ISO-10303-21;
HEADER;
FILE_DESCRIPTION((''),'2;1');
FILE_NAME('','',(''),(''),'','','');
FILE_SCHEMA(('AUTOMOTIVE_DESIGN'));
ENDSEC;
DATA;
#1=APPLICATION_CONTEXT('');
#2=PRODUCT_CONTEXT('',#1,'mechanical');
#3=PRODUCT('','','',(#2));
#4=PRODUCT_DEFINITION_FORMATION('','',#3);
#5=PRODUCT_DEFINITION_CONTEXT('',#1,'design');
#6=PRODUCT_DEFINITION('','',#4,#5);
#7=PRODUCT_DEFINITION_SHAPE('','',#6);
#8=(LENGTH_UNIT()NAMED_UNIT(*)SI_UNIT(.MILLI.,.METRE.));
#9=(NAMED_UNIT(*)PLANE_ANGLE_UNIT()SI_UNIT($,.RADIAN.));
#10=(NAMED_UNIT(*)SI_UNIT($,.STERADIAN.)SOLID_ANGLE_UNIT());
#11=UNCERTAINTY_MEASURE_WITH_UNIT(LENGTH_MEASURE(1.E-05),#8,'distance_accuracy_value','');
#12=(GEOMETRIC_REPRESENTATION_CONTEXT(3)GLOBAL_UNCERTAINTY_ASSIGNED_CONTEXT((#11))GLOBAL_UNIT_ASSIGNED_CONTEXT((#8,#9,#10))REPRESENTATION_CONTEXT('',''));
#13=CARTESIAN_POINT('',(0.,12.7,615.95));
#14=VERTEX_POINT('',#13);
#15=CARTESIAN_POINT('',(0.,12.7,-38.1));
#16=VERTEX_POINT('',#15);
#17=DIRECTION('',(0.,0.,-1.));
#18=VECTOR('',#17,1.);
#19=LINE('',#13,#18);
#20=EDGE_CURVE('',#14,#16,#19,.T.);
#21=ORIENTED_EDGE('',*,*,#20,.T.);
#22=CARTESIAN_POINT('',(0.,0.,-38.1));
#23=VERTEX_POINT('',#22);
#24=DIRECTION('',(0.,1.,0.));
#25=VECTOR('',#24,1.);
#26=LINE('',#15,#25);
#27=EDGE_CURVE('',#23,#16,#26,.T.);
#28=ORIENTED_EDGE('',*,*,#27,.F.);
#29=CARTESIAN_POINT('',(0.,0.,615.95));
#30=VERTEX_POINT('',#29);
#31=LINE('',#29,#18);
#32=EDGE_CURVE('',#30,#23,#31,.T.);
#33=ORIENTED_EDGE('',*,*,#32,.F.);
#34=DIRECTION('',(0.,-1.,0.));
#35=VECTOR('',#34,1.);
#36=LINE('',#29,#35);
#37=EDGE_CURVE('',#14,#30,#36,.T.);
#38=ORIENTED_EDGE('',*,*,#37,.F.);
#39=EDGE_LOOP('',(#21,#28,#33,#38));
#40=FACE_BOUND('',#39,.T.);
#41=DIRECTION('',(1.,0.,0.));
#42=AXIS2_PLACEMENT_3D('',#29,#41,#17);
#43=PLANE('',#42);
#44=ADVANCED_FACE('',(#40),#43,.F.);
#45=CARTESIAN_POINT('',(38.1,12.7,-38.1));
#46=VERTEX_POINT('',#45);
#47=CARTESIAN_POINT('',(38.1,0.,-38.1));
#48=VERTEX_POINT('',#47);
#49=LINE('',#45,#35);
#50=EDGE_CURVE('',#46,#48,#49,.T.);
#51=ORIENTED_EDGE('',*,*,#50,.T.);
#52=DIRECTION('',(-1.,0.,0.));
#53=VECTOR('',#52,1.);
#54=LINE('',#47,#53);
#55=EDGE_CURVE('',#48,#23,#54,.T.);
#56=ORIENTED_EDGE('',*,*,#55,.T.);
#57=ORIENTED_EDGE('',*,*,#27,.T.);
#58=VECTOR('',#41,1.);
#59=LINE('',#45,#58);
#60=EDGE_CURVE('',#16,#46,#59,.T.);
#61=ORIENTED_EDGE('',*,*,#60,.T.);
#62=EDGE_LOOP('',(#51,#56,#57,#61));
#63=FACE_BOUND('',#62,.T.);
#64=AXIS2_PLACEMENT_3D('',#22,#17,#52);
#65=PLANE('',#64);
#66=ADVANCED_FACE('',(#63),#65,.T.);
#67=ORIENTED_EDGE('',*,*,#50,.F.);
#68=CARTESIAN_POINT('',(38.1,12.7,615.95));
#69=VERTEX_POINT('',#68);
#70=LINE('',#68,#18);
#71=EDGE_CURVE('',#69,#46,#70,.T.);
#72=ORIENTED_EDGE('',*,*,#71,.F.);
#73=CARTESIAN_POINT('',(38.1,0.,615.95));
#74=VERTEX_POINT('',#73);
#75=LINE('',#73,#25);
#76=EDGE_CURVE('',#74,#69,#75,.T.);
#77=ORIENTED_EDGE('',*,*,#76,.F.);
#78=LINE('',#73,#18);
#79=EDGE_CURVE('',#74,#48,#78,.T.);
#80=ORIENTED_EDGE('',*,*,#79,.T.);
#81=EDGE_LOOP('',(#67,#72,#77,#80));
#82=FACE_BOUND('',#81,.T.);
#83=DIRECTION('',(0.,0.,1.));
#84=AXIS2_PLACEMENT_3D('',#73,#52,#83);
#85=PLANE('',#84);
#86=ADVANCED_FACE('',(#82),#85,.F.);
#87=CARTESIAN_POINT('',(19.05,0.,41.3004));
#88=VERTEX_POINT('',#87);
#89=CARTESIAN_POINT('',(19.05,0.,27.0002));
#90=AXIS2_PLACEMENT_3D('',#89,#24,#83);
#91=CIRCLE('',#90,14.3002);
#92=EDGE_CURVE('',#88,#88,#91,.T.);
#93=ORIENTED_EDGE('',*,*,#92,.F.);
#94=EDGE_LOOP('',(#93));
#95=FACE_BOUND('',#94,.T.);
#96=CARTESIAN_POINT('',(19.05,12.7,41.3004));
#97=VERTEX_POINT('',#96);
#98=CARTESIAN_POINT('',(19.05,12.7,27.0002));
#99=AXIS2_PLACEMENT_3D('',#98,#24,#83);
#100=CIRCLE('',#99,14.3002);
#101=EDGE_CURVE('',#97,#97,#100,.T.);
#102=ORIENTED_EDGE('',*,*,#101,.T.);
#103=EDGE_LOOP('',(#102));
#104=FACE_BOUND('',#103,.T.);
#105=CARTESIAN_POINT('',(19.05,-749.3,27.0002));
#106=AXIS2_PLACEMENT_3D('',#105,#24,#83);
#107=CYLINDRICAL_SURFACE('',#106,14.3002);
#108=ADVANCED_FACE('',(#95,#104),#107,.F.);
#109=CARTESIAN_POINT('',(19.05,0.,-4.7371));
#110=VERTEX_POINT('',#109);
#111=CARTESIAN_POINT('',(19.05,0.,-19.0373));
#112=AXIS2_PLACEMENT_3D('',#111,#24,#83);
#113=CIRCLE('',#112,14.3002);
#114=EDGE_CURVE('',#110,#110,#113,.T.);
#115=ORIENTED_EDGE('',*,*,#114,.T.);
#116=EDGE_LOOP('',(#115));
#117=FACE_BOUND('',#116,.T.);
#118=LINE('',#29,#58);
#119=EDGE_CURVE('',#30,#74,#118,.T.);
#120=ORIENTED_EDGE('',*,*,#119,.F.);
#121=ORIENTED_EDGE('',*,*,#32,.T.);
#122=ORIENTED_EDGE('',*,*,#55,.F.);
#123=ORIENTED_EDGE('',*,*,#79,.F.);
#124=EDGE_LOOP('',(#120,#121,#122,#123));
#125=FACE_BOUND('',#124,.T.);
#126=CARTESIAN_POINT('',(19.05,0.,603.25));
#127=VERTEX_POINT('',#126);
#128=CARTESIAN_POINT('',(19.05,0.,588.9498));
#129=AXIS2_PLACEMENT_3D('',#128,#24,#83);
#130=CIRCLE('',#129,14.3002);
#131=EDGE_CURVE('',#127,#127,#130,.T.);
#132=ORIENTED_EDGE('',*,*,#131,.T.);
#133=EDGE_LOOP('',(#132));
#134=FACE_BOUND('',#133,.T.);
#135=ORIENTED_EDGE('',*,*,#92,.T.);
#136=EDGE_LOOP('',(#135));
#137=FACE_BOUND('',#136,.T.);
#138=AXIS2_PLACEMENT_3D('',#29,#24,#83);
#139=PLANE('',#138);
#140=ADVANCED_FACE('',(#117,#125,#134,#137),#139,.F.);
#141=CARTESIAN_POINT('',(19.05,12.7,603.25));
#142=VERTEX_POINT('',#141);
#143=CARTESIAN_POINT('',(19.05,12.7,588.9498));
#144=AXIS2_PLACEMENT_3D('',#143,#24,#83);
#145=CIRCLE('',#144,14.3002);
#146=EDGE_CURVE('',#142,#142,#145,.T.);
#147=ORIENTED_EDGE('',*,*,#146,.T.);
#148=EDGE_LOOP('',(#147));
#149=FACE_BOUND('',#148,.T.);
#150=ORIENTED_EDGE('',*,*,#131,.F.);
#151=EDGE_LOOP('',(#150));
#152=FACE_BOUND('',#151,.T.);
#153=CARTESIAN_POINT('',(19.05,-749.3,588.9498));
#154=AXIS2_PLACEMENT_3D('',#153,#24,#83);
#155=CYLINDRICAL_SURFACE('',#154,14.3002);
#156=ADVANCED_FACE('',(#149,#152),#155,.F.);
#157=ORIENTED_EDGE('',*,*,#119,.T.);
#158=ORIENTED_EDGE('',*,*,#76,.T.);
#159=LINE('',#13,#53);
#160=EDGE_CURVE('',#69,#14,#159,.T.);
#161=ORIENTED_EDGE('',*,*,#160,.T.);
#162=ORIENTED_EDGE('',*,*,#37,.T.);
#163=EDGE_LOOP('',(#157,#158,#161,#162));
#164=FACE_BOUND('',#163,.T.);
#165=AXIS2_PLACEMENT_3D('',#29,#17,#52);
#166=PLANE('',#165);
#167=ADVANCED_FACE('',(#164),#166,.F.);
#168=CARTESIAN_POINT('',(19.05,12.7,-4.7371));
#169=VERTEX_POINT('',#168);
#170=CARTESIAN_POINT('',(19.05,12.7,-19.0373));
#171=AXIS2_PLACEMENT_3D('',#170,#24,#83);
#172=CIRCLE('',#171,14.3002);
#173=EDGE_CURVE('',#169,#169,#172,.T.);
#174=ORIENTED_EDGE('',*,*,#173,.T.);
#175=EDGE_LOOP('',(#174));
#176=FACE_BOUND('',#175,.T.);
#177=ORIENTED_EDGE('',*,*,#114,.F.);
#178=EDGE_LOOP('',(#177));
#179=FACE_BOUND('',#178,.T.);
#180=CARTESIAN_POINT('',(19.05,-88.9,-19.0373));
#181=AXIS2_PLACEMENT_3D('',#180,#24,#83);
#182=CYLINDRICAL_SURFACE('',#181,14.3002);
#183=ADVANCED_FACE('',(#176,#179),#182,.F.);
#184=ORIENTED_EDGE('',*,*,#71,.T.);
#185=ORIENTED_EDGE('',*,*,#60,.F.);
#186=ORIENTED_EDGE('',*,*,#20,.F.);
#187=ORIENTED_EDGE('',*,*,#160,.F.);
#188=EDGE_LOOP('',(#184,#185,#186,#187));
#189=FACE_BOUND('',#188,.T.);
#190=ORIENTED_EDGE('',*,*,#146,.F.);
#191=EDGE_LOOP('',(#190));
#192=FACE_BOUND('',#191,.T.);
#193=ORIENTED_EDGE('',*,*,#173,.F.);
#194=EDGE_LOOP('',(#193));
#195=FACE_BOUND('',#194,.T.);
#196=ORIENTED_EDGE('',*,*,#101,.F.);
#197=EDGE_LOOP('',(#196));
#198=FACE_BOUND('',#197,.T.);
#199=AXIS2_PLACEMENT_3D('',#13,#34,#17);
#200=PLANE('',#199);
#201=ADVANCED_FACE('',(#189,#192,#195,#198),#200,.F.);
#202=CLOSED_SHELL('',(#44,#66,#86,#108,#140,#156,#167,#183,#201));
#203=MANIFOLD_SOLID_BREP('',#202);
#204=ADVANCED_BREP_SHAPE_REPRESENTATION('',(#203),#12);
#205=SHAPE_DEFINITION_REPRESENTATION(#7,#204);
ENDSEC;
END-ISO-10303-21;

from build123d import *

# Parameters (mm, degrees)
SKETCH1_W           = 38.1
SKETCH1_H           = 12.7
BOSS_EXTRUDE1_DEPTH = 615.95
SKETCH2_R           = 14.3002
CUT_EXTRUDE1_DEPTH  = 762
SKETCH3_W           = 38.1
SKETCH3_H           = 12.7
BOSS_EXTRUDE2_DEPTH = 38.1
SKETCH4_R           = 14.3002
CUT_EXTRUDE2_DEPTH  = 101.6


with BuildPart() as part:
    # Sketch1 → Boss-Extrude1 (new body)
    with BuildSketch(Plane.XY):
        with Locations((19.05, 6.35)):
            Rectangle(SKETCH1_W, SKETCH1_H)
    extrude(amount=BOSS_EXTRUDE1_DEPTH)

    # Sketch2 → Cut-Extrude1 (cut)
    with BuildSketch(Plane(origin=(0, 12.7, 0), x_dir=(1, 0, 0), z_dir=(0, 1, 0))):
        with Locations((19.05, -588.9498)):
            Circle(SKETCH2_R)
        with Locations((19.05, -27.0002)):
            Circle(SKETCH2_R)
    extrude(amount=-CUT_EXTRUDE1_DEPTH, mode=Mode.SUBTRACT)

    # Sketch3 → Boss-Extrude2 (add)
    with BuildSketch(Plane(origin=(0, 0, 0), x_dir=(-1, 0, 0), z_dir=(0, 0, -1))):
        with Locations((-19.05, 6.35)):
            Rectangle(SKETCH3_W, SKETCH3_H)
    extrude(amount=BOSS_EXTRUDE2_DEPTH)

    # Sketch4 → Cut-Extrude2 (cut)
    with BuildSketch(Plane(origin=(0, 12.7, 0), x_dir=(1, 0, 0), z_dir=(0, 1, 0))):
        with Locations((19.05, 19.0373)):
            Circle(SKETCH4_R)
    extrude(amount=-CUT_EXTRUDE2_DEPTH, mode=Mode.SUBTRACT)


solid = part.part
